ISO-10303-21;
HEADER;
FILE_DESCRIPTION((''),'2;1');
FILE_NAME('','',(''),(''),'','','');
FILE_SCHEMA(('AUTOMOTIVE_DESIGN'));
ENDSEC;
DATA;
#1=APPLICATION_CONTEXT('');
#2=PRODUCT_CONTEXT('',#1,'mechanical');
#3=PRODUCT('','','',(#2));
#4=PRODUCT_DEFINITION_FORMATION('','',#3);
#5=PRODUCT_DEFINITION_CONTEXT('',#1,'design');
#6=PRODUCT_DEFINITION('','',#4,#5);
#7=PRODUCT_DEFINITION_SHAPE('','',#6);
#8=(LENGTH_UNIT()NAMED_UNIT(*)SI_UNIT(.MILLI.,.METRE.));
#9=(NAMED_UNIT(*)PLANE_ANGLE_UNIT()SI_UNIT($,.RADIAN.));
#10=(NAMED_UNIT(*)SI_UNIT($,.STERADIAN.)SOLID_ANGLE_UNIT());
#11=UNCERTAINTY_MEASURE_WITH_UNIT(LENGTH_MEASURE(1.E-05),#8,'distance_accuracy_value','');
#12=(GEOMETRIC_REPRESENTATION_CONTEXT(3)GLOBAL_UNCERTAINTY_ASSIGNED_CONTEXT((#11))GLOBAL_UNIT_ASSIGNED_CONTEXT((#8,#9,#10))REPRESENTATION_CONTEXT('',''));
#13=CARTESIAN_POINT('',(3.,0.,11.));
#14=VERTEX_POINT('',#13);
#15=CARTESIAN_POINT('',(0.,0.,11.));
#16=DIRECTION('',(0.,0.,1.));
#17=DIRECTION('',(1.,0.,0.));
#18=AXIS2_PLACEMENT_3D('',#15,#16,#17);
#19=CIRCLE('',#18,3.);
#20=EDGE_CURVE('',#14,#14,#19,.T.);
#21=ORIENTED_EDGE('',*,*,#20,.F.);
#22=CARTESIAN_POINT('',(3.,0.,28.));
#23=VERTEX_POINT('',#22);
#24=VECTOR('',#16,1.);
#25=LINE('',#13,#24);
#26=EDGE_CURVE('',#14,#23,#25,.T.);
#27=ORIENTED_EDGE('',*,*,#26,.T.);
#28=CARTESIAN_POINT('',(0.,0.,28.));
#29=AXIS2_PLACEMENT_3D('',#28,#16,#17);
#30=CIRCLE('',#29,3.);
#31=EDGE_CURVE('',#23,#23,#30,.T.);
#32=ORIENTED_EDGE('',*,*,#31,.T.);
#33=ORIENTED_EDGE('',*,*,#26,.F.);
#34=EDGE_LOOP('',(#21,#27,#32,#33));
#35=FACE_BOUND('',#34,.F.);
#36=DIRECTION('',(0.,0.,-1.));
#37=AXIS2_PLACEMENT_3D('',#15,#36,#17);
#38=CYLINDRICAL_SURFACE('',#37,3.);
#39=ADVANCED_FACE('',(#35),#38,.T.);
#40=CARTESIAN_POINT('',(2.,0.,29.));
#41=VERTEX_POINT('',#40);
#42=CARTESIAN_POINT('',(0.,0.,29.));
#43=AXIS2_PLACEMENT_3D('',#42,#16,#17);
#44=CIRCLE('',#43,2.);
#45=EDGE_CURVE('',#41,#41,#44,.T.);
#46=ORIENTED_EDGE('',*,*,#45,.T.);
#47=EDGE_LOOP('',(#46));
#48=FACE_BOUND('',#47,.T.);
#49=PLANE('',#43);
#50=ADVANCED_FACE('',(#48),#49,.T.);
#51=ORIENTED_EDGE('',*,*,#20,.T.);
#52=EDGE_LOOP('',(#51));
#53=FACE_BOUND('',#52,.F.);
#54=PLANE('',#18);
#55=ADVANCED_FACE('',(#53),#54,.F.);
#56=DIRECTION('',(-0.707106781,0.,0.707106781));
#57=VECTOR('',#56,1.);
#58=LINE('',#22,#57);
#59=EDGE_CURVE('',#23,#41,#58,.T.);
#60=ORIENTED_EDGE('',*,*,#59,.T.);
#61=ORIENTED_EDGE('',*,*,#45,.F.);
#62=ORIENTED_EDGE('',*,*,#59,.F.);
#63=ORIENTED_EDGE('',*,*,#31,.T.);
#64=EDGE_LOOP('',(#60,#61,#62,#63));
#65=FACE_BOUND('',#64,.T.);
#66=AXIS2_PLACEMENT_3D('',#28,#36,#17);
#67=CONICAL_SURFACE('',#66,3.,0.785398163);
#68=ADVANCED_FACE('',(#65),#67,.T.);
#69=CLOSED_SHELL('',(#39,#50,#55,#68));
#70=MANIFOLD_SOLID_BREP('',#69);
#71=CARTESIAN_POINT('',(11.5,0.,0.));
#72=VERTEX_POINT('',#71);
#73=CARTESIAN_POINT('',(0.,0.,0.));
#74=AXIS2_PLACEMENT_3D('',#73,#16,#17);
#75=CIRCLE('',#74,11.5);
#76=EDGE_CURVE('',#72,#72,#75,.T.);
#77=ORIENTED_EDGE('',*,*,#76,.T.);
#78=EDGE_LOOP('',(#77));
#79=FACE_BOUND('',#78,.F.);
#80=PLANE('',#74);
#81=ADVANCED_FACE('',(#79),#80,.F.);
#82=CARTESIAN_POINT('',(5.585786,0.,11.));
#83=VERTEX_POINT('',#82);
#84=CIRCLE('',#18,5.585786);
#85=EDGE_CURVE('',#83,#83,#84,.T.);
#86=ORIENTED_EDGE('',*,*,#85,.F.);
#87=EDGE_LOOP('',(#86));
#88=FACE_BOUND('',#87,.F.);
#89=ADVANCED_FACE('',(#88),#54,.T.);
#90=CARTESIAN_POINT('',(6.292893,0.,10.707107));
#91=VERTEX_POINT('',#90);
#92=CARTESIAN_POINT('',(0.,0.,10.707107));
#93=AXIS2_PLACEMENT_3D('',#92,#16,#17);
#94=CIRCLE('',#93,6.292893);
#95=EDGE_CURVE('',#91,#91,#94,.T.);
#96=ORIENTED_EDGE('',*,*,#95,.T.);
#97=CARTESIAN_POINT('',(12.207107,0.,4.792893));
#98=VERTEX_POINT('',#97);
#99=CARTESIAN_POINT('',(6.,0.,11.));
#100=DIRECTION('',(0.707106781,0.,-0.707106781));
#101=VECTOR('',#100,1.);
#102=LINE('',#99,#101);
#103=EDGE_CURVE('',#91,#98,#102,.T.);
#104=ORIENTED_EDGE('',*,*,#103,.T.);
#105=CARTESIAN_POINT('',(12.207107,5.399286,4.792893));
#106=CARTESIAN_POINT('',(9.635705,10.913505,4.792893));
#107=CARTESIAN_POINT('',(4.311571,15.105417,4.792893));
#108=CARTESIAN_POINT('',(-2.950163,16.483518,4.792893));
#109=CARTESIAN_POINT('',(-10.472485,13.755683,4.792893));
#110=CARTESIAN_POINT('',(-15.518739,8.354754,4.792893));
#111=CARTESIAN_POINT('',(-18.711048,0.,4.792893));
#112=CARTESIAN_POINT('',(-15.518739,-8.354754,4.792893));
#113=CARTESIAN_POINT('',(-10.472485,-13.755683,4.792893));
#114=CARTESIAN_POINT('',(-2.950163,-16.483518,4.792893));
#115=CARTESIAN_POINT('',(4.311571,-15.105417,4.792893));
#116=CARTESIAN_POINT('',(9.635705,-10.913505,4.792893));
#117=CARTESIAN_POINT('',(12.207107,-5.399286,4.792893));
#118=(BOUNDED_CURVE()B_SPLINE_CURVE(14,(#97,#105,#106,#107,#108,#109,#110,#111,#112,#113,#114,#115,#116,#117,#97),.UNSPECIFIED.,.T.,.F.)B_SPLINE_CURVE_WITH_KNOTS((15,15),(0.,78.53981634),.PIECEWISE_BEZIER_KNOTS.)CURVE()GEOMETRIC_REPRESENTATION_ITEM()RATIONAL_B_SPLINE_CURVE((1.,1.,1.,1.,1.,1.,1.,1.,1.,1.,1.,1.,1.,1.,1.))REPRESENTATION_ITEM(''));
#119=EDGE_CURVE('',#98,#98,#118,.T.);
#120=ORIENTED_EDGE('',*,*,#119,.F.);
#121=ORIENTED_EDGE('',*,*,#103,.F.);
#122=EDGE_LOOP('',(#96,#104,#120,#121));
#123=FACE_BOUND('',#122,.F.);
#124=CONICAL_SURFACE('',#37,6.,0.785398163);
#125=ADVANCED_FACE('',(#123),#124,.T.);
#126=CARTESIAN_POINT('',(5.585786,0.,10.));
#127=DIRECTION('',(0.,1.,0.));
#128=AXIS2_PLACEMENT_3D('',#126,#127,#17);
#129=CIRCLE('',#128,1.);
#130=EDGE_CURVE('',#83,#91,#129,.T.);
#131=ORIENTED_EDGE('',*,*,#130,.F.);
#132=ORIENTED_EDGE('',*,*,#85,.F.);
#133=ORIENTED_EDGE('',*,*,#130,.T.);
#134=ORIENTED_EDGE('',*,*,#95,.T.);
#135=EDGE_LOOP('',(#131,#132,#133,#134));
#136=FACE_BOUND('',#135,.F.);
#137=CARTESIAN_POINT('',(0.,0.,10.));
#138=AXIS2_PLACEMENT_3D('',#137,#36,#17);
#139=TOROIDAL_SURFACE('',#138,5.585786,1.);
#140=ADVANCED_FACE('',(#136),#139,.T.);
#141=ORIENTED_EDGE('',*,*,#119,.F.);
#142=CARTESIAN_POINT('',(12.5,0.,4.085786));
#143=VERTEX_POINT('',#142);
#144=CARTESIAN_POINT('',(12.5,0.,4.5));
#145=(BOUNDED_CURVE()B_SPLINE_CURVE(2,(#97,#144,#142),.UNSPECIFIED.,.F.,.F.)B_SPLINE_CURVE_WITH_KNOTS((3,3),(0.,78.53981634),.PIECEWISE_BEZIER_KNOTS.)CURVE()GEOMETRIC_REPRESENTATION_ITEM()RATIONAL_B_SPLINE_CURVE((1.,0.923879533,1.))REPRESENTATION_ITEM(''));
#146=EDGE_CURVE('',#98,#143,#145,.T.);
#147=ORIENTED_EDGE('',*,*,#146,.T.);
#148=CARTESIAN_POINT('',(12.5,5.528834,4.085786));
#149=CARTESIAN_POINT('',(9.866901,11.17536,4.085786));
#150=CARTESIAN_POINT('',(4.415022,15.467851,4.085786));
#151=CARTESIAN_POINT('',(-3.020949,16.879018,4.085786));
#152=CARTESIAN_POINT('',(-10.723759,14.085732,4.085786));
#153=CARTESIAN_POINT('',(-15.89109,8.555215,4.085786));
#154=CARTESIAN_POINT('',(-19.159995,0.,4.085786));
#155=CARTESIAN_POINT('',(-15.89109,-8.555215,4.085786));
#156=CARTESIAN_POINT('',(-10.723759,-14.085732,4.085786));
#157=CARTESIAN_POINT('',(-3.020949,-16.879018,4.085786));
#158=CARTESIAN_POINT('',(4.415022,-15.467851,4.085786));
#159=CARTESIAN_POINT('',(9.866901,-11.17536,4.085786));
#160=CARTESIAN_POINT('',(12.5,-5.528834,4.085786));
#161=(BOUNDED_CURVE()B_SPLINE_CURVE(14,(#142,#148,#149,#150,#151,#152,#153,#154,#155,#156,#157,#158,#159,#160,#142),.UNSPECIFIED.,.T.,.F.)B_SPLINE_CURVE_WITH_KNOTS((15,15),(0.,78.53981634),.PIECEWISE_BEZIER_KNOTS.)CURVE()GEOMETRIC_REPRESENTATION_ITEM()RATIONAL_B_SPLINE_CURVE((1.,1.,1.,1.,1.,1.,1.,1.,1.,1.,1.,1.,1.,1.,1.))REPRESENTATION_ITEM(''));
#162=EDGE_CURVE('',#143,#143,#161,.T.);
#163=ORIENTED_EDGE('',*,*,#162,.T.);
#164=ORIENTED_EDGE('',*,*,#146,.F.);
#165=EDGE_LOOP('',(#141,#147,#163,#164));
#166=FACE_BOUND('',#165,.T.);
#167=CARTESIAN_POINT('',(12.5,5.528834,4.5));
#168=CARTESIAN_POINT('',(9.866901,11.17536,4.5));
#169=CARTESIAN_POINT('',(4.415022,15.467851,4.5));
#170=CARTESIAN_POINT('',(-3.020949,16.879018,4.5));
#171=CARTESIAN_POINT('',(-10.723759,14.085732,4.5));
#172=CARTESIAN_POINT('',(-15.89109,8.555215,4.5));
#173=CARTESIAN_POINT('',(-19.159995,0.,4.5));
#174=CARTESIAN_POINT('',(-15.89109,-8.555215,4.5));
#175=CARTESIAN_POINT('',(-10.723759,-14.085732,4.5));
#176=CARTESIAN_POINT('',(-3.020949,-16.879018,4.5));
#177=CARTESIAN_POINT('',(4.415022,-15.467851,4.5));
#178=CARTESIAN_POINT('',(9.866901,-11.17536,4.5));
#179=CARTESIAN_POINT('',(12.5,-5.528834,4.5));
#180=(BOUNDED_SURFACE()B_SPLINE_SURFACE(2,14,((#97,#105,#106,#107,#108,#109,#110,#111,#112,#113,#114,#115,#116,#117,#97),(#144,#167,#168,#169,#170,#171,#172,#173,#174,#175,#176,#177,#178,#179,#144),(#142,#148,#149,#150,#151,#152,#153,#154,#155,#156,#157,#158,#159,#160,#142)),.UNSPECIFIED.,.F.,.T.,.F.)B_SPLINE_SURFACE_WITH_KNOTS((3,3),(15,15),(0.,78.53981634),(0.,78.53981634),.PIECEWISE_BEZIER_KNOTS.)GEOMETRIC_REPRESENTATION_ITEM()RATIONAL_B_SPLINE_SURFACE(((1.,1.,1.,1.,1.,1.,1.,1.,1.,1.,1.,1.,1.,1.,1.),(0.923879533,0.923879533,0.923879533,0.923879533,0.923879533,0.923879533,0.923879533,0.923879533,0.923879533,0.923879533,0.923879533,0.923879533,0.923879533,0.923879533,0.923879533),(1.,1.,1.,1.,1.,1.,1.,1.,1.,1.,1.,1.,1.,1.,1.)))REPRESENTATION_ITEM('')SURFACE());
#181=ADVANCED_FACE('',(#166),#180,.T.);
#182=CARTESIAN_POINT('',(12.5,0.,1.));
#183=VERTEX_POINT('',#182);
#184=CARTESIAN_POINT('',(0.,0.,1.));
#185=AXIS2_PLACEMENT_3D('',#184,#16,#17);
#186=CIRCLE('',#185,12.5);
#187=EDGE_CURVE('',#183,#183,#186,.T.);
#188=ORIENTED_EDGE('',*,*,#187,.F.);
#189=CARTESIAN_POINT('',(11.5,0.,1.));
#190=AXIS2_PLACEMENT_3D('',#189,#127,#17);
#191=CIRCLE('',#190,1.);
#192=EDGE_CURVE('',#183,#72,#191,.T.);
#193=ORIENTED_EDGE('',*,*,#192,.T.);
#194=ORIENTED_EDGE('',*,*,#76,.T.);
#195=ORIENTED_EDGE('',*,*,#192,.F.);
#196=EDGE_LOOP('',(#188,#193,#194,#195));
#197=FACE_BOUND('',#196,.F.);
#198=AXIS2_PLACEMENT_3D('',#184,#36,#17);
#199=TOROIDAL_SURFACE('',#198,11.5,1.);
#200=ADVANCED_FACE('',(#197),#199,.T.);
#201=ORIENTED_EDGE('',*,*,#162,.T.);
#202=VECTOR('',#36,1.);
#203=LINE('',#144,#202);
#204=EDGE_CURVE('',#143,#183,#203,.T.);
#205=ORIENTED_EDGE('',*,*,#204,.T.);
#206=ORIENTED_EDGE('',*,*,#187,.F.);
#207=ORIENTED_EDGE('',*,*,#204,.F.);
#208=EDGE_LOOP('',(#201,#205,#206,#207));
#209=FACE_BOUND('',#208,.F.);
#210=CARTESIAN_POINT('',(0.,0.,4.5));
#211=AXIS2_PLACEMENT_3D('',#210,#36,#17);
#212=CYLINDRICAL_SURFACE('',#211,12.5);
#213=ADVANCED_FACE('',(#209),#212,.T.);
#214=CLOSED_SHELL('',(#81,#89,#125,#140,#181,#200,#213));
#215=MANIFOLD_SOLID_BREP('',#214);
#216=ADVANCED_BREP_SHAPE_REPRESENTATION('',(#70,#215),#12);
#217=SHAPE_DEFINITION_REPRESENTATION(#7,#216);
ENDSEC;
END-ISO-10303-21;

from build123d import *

# Parameters (mm, degrees)
FILLET_R     = 1
SKETCH001_R  = 3
PAD_DEPTH    = 18
CHAMFER_SIZE = 1


with BuildPart() as body:
    # Sketch → Revolution (revolve)
    with BuildSketch(Plane.XZ):
        Polygon((0, 11), (6, 11), (12.5, 4.5), (12.5, 0), (0, 0), align=None)
    revolve(axis=Axis((0, 0, 0), (0, 0, 1)))

    # Fillet
    fillet_edges = [body.edges().sort_by_distance(p)[0] for p in [
        (-12.5, 0, 0),
        (-12.5, 0, 4.5),
        (-6, 0, 11),
    ]]
    fillet(fillet_edges, radius=FILLET_R)


with BuildPart() as body001:
    # Sketch001 (on DatumPlane) → Pad (new body)
    with BuildSketch(Plane.XY.offset(11)):
        Circle(SKETCH001_R)
    extrude(amount=PAD_DEPTH)

    # Chamfer
    chamfer_edges = [body001.edges().sort_by_distance(p)[0] for p in [
        (-3, 0, 29),
    ]]
    chamfer(chamfer_edges, length=CHAMFER_SIZE)


solid = Compound([body.part, body001.part])
